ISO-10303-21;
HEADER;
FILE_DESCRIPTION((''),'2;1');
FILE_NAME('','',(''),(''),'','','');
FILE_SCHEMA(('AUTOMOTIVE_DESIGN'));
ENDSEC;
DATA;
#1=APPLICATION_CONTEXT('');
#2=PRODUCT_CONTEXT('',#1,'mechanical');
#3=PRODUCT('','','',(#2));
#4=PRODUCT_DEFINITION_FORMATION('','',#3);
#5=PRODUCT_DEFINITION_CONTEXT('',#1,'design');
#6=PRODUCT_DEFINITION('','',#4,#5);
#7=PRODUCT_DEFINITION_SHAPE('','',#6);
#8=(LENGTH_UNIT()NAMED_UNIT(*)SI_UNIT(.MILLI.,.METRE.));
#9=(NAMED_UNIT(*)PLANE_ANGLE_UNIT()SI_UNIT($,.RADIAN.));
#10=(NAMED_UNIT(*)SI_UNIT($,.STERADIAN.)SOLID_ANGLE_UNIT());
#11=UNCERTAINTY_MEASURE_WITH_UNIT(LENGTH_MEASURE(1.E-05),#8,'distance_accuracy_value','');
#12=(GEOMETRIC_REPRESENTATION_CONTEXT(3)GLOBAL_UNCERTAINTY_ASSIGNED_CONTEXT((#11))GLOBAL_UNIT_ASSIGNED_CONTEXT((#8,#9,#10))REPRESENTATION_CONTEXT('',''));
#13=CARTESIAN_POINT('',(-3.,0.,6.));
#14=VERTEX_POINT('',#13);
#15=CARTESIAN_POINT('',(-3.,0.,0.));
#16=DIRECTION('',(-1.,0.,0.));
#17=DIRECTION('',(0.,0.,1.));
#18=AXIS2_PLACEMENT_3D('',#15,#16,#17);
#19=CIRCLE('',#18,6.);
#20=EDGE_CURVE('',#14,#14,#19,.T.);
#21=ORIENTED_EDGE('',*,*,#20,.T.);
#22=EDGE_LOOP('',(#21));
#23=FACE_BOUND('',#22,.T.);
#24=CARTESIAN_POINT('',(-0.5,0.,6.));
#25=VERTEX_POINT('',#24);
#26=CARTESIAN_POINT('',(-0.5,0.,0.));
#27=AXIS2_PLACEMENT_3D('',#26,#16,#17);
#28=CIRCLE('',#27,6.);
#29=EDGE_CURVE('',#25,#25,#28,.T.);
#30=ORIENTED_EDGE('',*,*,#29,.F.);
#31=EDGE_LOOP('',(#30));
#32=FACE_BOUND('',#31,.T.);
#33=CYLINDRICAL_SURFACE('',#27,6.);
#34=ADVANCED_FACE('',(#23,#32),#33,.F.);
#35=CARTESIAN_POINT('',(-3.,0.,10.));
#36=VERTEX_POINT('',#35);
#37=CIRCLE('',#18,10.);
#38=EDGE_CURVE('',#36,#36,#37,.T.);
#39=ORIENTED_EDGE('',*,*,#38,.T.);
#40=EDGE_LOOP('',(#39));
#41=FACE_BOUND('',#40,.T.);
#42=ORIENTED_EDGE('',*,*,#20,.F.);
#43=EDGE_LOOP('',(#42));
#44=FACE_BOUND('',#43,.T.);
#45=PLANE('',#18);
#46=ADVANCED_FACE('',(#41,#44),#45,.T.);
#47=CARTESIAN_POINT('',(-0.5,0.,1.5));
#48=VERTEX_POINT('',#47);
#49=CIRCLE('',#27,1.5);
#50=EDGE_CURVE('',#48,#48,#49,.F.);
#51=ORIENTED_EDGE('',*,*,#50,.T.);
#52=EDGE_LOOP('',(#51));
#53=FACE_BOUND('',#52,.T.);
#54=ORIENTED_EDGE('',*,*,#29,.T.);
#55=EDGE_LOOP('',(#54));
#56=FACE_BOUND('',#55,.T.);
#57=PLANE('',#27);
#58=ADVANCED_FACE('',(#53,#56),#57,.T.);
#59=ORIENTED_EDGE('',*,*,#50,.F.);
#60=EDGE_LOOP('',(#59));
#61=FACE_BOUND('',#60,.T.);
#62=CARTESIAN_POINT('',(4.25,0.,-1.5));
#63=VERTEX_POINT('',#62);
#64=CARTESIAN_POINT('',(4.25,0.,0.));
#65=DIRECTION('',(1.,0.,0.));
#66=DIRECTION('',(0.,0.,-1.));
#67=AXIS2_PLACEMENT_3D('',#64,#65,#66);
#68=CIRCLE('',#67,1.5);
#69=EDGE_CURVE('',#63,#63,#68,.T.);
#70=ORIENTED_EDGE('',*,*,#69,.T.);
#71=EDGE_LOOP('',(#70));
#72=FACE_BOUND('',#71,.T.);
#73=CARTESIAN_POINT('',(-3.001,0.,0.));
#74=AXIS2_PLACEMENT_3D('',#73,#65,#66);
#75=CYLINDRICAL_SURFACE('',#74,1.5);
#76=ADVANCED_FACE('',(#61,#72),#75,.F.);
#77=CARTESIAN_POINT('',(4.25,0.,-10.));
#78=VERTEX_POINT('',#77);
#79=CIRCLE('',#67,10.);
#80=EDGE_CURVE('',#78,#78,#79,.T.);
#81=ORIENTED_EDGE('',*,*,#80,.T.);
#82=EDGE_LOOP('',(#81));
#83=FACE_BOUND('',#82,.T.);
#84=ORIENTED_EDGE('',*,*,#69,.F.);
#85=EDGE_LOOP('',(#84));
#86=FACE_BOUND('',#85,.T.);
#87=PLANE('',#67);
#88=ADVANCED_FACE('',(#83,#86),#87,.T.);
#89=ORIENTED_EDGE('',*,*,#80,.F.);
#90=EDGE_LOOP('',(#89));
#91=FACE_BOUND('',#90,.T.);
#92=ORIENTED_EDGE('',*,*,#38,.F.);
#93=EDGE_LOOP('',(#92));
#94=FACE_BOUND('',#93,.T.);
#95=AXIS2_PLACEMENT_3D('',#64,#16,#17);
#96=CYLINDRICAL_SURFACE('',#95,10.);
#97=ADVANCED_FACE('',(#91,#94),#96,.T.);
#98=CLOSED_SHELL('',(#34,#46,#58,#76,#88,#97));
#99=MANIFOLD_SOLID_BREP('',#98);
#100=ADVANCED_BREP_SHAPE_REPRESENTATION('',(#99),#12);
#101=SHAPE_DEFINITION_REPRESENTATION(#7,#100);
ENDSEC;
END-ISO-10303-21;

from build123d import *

# Parameters (mm, degrees)
ESBO_O1_R                = 10
RESSALTO_EXTRUS_O1_DEPTH = 4.25
RESSALTO_EXTRUS_O2_START = 3
ESBO_O2_R                = 10
RESSALTO_EXTRUS_O2_DEPTH = 3
CORTE_EXTRUS_O1_REACH    = 17.892
ESBO_O3_R                = 1.5
ESBO_O5_R                = 6
CORTE_EXTRUS_O3_DEPTH    = 2.5


with BuildPart() as part:
    # Esboço1 → Ressalto-extrusão1 (new body)
    with BuildSketch(Plane(origin=(0, 0, 0), x_dir=(0, 0, -1), z_dir=(1, 0, 0))):
        Circle(ESBO_O1_R)
    extrude(amount=RESSALTO_EXTRUS_O1_DEPTH)

    # Esboço2 → Ressalto-extrusão2 (add)
    with BuildSketch(Plane.ZY.offset(RESSALTO_EXTRUS_O2_START)):
        Circle(ESBO_O2_R)
    extrude(amount=-RESSALTO_EXTRUS_O2_DEPTH)

    # Esboço3 → Corte-extrusão1 (cut, up to next)
    with BuildSketch(Plane(origin=(4.25, 0, 0), x_dir=(0, 0, -1), z_dir=(1, 0, 0)), mode=Mode.PRIVATE) as corte_extrus_o1_sk1:
        Circle(ESBO_O3_R)
    corte_extrus_o1_tool1 = extrude(corte_extrus_o1_sk1.sketch, amount=-CORTE_EXTRUS_O1_REACH, mode=Mode.PRIVATE) & part.part
    add(corte_extrus_o1_tool1.solids().sort_by_distance((4.25, 0, 0))[0], mode=Mode.SUBTRACT)

    # Esboço5 → Corte-extrusão3 (cut)
    with BuildSketch(Plane.ZY.offset(3)):
        Circle(ESBO_O5_R)
    extrude(amount=-CORTE_EXTRUS_O3_DEPTH, mode=Mode.SUBTRACT)


solid = part.part
